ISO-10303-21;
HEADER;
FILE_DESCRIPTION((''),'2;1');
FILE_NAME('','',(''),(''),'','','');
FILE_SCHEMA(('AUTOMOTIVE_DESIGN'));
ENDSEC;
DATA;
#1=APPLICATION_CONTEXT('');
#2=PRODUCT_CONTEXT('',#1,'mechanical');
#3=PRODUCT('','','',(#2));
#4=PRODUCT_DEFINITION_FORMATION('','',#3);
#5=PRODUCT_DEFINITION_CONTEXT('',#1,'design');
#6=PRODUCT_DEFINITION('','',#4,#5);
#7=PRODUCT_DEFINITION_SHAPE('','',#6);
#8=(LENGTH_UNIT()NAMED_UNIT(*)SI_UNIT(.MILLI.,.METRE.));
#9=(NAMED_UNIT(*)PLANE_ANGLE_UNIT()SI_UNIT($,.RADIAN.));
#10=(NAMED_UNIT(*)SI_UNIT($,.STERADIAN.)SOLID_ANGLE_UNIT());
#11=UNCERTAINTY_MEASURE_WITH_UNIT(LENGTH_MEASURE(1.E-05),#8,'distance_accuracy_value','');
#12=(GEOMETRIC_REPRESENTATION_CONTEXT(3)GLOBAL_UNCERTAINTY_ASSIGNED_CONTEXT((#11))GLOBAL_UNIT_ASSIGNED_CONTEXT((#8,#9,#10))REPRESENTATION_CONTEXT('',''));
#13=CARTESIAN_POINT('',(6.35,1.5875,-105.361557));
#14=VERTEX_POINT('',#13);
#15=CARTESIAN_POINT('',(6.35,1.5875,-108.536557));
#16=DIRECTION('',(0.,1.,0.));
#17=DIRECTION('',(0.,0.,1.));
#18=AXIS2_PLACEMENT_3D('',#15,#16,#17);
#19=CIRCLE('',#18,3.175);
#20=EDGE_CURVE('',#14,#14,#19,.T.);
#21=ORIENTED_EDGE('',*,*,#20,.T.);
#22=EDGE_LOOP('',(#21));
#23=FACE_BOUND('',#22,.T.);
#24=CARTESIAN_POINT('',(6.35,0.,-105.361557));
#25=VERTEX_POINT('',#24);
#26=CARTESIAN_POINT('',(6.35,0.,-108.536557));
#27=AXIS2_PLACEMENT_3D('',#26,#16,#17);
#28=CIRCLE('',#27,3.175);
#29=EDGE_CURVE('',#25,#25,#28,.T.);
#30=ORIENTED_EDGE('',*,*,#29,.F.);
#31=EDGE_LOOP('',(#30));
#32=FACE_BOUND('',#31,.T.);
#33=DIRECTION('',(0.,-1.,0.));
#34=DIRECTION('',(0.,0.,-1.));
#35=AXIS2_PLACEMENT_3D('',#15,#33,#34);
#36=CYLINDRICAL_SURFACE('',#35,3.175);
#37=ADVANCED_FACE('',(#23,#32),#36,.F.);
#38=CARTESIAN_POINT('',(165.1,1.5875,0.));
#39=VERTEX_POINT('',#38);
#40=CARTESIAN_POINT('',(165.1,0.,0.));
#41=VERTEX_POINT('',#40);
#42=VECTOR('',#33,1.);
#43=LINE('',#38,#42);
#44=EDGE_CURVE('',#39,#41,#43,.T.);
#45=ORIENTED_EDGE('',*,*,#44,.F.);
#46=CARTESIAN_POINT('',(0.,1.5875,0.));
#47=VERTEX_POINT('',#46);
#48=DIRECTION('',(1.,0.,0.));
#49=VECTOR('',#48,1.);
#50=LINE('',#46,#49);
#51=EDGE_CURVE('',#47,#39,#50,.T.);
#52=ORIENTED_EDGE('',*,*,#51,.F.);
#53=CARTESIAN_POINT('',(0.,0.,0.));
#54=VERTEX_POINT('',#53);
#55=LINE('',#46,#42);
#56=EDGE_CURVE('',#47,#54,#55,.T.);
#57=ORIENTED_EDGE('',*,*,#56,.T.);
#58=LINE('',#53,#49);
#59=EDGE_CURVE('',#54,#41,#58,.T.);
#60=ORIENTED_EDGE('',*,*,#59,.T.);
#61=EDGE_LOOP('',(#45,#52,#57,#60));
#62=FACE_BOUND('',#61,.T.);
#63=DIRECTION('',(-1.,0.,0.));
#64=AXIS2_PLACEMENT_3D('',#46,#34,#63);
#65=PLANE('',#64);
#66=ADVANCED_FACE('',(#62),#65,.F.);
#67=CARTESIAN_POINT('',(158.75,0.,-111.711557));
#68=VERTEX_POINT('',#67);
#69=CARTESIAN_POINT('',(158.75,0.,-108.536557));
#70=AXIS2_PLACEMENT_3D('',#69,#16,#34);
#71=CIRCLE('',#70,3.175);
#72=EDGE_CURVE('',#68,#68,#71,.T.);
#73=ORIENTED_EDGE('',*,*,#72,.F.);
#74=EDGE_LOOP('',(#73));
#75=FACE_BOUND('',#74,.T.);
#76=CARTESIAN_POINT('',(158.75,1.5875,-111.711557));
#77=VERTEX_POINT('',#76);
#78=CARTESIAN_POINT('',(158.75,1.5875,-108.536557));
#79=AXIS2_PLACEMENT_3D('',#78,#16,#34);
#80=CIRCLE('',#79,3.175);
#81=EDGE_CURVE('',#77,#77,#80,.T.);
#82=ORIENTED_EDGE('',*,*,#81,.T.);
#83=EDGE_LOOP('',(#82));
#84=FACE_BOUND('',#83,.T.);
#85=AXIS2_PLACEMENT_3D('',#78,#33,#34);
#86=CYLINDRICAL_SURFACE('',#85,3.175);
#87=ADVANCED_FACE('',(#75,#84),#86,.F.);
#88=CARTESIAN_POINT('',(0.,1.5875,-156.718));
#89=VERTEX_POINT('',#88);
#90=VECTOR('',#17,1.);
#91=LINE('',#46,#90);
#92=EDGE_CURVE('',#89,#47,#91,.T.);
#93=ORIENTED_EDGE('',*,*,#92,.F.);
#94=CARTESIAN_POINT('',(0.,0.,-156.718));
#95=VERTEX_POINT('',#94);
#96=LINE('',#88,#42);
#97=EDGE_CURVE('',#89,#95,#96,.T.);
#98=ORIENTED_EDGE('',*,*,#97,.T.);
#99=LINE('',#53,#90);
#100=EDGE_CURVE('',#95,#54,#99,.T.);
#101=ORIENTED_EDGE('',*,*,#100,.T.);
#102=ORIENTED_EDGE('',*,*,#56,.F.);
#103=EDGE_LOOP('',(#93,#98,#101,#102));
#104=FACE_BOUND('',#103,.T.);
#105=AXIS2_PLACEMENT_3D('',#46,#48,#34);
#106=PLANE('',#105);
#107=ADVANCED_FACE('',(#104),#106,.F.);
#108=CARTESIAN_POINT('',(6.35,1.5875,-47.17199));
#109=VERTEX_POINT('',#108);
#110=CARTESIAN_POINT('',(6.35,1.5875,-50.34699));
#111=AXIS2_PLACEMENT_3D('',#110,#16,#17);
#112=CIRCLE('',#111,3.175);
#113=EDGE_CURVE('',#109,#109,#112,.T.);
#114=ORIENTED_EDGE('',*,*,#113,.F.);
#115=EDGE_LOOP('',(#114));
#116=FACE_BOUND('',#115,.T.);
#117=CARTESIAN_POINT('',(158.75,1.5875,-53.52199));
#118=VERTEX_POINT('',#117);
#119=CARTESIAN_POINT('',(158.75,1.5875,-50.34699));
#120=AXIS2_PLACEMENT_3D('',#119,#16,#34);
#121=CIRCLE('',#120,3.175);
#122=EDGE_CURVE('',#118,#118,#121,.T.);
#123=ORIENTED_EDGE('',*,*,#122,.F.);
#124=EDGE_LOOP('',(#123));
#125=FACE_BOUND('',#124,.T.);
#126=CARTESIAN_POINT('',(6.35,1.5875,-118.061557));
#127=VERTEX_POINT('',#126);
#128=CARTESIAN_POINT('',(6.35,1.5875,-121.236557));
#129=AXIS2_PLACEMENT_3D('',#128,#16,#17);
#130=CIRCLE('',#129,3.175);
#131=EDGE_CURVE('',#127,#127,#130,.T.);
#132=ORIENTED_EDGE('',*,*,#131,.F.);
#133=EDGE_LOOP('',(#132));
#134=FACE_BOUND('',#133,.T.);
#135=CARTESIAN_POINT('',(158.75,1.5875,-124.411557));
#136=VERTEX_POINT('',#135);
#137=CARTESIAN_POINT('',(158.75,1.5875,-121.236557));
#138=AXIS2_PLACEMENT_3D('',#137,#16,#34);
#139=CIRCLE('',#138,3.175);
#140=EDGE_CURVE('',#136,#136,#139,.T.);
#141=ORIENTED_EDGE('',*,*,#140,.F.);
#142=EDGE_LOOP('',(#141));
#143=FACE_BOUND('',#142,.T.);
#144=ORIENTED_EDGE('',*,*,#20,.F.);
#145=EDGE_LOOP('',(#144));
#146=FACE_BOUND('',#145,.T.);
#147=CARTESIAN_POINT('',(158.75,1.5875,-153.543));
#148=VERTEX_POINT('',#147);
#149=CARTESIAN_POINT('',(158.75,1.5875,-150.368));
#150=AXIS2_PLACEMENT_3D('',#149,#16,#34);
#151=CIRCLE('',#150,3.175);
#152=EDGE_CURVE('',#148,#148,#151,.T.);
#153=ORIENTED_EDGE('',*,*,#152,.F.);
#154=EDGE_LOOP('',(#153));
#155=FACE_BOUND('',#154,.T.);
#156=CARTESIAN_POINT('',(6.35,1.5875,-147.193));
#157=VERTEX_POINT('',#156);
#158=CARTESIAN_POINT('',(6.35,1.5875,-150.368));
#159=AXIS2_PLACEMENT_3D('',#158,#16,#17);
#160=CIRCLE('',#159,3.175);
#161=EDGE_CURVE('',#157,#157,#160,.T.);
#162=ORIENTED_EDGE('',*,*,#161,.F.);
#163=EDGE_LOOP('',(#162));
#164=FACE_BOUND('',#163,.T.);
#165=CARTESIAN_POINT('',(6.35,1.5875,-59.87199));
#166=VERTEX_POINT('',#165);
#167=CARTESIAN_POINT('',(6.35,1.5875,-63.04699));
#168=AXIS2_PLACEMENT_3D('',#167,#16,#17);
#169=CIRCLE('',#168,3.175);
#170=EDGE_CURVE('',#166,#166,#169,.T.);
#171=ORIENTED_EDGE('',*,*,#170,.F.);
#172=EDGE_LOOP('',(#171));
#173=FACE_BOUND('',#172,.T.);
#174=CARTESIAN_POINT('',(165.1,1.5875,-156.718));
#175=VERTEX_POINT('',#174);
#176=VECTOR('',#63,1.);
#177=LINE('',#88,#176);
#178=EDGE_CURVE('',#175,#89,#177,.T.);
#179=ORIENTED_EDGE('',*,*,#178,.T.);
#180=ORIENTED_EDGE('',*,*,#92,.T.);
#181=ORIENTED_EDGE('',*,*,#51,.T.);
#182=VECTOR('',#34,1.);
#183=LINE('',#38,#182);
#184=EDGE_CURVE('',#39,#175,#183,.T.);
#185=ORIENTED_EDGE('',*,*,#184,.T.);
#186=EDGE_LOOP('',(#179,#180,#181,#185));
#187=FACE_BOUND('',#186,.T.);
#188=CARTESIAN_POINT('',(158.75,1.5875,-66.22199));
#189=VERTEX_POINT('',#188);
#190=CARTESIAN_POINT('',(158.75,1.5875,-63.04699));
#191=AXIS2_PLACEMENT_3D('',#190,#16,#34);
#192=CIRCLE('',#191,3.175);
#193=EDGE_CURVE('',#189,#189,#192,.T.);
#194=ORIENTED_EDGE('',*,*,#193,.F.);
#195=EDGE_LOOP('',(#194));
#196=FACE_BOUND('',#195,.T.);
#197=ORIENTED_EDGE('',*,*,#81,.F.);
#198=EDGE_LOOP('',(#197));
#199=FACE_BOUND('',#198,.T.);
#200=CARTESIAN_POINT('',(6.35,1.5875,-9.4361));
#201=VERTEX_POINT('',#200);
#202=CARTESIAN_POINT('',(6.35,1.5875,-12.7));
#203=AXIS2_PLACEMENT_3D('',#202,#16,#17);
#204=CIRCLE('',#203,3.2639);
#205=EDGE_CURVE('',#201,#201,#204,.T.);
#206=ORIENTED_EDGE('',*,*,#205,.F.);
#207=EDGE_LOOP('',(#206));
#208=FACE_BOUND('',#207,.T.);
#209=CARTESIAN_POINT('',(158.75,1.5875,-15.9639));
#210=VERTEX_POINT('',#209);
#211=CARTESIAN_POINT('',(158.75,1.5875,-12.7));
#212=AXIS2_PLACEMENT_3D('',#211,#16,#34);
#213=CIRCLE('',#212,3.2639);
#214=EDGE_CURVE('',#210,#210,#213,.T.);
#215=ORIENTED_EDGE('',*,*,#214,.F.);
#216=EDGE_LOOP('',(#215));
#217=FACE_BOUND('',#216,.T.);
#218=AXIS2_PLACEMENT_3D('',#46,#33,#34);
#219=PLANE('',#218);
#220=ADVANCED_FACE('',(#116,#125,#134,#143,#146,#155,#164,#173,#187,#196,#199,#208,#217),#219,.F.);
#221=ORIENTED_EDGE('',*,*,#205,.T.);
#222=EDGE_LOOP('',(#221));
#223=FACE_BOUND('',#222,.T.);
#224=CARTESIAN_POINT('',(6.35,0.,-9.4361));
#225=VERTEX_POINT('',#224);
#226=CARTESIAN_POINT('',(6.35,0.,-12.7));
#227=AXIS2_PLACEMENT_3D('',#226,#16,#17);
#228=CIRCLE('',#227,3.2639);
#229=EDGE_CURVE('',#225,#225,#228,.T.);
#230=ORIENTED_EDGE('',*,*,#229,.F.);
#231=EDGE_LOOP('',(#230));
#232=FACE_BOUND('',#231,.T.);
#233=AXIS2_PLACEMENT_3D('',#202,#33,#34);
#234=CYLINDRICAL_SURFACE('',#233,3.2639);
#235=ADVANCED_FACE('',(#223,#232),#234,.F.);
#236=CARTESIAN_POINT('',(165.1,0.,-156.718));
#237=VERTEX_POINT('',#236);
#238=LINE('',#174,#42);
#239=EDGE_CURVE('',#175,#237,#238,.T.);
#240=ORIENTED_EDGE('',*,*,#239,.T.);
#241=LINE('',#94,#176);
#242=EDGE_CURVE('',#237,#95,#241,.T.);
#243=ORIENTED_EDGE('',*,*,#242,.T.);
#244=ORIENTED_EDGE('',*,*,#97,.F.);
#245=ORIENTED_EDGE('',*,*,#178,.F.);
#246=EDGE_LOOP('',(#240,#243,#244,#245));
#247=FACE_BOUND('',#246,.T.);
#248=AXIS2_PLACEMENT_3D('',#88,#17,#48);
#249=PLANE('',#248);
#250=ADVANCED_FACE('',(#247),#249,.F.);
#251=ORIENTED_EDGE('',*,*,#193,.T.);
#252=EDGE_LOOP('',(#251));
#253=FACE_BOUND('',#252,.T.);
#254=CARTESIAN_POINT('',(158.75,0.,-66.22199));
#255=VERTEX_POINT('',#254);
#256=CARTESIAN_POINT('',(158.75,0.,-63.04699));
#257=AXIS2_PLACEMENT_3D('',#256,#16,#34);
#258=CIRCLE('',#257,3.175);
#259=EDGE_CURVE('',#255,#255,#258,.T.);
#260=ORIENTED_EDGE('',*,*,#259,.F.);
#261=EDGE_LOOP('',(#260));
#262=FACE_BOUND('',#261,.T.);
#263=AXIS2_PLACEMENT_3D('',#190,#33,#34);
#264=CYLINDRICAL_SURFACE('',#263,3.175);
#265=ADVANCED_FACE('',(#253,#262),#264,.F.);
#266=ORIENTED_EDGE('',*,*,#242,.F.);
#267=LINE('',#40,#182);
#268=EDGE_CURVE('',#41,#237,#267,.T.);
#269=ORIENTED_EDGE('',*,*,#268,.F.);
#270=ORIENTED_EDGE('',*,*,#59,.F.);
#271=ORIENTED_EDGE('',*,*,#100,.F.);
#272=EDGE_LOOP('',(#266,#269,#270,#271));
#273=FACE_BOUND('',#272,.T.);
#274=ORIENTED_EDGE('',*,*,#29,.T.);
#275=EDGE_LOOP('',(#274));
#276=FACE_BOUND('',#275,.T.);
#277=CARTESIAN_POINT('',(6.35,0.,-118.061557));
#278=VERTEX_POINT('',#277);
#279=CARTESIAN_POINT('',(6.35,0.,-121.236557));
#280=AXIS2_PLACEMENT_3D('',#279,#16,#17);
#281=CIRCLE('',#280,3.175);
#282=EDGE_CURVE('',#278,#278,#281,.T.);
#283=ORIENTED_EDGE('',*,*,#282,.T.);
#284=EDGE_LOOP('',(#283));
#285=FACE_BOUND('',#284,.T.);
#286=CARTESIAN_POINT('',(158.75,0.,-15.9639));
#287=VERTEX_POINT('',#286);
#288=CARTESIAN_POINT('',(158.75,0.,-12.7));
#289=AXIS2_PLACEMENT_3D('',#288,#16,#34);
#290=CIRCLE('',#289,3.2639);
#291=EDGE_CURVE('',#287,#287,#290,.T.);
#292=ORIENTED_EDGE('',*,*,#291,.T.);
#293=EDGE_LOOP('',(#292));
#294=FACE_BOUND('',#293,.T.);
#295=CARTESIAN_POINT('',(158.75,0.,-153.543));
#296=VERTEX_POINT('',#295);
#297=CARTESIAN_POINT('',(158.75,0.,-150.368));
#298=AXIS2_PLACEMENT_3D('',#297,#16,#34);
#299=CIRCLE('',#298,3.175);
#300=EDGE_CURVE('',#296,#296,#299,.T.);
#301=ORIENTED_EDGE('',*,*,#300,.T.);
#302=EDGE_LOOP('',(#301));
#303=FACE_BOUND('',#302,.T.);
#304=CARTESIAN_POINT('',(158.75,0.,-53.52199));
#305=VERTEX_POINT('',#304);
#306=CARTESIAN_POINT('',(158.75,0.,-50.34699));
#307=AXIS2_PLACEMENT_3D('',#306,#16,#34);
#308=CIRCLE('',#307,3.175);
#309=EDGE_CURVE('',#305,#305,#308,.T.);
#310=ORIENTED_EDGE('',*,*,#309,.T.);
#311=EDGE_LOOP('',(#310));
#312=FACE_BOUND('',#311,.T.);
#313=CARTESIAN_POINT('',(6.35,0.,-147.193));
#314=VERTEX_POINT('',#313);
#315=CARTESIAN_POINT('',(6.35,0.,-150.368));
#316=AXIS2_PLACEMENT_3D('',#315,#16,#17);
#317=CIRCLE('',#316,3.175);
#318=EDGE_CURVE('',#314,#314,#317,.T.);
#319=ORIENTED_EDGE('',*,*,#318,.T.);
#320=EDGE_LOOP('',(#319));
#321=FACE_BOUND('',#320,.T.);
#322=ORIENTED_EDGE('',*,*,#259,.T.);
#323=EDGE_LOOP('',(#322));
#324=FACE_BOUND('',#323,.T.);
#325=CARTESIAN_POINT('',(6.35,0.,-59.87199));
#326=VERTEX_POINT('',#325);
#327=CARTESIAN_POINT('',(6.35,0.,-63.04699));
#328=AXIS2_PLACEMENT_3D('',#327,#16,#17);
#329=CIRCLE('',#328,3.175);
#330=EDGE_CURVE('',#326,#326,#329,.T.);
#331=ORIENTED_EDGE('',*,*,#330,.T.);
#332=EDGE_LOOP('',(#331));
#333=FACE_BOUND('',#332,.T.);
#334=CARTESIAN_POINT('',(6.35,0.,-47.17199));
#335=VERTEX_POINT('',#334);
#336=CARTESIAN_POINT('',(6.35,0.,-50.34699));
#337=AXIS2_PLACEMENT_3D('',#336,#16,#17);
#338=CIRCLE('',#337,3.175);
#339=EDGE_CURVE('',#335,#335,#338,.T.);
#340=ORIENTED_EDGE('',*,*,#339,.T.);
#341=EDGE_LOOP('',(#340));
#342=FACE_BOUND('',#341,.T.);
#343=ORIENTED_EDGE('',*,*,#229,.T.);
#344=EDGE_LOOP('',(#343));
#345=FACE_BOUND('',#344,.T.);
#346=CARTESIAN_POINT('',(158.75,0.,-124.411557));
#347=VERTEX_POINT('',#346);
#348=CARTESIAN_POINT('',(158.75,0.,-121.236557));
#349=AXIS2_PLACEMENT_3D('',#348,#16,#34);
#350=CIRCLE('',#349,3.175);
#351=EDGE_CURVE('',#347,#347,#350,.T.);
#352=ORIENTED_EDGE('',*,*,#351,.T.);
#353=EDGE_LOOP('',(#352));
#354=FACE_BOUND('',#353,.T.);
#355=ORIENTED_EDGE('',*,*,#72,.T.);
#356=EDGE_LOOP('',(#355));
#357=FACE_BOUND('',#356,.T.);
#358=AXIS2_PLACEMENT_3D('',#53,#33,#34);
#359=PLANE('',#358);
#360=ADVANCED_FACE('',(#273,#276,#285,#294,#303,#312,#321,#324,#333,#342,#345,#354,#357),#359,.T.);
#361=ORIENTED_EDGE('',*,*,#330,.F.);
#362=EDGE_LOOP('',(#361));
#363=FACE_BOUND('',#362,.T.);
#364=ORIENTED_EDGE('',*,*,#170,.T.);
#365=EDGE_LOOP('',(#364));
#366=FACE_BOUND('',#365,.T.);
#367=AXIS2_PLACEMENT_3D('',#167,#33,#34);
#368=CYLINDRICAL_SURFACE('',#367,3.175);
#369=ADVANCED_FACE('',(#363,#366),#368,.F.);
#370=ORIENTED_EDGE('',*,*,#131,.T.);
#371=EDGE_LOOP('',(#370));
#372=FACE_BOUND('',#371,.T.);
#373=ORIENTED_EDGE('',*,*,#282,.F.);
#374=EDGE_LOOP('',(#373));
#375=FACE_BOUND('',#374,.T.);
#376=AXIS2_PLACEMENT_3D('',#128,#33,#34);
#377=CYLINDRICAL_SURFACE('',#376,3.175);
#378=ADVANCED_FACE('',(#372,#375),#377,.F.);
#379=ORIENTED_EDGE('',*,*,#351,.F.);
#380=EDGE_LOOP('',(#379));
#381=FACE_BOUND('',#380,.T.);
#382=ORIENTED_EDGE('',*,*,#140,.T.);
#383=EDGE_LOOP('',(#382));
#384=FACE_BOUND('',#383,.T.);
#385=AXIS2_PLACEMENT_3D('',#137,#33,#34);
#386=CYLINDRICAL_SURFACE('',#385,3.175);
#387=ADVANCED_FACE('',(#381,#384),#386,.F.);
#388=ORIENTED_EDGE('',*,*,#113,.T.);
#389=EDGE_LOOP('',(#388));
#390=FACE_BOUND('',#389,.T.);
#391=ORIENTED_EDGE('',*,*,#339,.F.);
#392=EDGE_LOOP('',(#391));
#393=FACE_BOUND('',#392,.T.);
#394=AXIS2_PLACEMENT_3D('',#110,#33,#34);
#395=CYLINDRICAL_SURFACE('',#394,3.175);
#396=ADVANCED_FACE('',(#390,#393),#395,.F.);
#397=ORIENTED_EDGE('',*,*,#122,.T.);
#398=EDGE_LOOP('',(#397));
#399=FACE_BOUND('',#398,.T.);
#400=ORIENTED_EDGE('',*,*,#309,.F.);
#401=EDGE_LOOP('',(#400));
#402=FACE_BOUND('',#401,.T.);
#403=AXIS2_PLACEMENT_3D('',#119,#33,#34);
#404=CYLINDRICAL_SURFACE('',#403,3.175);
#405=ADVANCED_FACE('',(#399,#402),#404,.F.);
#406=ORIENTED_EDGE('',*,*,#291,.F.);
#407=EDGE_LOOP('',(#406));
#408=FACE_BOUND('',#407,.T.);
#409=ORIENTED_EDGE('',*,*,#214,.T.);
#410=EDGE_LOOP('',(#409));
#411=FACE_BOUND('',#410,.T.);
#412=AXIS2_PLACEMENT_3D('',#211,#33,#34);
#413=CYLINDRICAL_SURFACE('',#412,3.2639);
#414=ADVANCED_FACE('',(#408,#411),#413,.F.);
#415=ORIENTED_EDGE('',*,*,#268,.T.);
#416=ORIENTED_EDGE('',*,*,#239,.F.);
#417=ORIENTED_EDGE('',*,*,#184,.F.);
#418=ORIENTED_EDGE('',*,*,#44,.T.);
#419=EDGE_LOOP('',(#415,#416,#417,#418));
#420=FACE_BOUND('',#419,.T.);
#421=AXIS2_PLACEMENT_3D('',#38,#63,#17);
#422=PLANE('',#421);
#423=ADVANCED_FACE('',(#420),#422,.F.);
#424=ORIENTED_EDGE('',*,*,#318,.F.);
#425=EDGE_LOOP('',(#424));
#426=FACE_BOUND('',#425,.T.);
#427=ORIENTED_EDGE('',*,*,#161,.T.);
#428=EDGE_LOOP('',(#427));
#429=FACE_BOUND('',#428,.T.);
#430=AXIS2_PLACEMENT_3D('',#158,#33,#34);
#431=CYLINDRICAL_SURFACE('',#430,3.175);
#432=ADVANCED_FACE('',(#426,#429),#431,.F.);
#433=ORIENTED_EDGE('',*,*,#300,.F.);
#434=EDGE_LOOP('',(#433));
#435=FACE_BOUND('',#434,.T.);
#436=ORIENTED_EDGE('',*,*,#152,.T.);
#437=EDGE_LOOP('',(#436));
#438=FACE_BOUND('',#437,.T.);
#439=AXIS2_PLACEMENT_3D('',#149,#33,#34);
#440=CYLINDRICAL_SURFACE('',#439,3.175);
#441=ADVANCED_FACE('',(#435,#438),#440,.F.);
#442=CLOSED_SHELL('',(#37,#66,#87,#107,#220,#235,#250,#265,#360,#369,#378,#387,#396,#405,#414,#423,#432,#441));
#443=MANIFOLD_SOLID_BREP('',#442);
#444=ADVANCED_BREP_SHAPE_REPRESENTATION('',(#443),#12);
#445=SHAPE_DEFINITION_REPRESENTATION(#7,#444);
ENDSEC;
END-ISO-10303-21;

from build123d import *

# Parameters (mm, degrees)
SKETCH1_W           = 165.1
SKETCH1_H           = 156.718
SKETCH1_R           = 3.2639
SKETCH1_R_2         = 3.175
BOSS_EXTRUDE1_DEPTH = 1.5875


with BuildPart() as part:
    # Sketch1 → Boss-Extrude1 (new body)
    with BuildSketch(Plane(origin=(0, 0, 0), x_dir=(1, 0, 0), z_dir=(0, 1, 0))):
        with Locations((82.55, 78.359)):
            Rectangle(SKETCH1_W, SKETCH1_H)
        with Locations((6.35, 12.7)):
            Circle(SKETCH1_R, mode=Mode.SUBTRACT)
        with Locations((6.35, 150.368)):
            Circle(SKETCH1_R_2, mode=Mode.SUBTRACT)
        with Locations((158.75, 12.7)):
            Circle(SKETCH1_R, mode=Mode.SUBTRACT)
        with Locations((158.75, 150.368)):
            Circle(SKETCH1_R_2, mode=Mode.SUBTRACT)
        with Locations((6.35, 121.236556701)):
            Circle(SKETCH1_R_2, mode=Mode.SUBTRACT)
        with Locations((6.35, 108.536556701)):
            Circle(SKETCH1_R_2, mode=Mode.SUBTRACT)
        with Locations((6.35, 63.04698969)):
            Circle(SKETCH1_R_2, mode=Mode.SUBTRACT)
        with Locations((6.35, 50.34698969)):
            Circle(SKETCH1_R_2, mode=Mode.SUBTRACT)
        with Locations((158.75, 50.34698969)):
            Circle(SKETCH1_R_2, mode=Mode.SUBTRACT)
        with Locations((158.75, 63.04698969)):
            Circle(SKETCH1_R_2, mode=Mode.SUBTRACT)
        with Locations((158.75, 108.536556701)):
            Circle(SKETCH1_R_2, mode=Mode.SUBTRACT)
        with Locations((158.75, 121.236556701)):
            Circle(SKETCH1_R_2, mode=Mode.SUBTRACT)
    extrude(amount=BOSS_EXTRUDE1_DEPTH)


solid = part.part
